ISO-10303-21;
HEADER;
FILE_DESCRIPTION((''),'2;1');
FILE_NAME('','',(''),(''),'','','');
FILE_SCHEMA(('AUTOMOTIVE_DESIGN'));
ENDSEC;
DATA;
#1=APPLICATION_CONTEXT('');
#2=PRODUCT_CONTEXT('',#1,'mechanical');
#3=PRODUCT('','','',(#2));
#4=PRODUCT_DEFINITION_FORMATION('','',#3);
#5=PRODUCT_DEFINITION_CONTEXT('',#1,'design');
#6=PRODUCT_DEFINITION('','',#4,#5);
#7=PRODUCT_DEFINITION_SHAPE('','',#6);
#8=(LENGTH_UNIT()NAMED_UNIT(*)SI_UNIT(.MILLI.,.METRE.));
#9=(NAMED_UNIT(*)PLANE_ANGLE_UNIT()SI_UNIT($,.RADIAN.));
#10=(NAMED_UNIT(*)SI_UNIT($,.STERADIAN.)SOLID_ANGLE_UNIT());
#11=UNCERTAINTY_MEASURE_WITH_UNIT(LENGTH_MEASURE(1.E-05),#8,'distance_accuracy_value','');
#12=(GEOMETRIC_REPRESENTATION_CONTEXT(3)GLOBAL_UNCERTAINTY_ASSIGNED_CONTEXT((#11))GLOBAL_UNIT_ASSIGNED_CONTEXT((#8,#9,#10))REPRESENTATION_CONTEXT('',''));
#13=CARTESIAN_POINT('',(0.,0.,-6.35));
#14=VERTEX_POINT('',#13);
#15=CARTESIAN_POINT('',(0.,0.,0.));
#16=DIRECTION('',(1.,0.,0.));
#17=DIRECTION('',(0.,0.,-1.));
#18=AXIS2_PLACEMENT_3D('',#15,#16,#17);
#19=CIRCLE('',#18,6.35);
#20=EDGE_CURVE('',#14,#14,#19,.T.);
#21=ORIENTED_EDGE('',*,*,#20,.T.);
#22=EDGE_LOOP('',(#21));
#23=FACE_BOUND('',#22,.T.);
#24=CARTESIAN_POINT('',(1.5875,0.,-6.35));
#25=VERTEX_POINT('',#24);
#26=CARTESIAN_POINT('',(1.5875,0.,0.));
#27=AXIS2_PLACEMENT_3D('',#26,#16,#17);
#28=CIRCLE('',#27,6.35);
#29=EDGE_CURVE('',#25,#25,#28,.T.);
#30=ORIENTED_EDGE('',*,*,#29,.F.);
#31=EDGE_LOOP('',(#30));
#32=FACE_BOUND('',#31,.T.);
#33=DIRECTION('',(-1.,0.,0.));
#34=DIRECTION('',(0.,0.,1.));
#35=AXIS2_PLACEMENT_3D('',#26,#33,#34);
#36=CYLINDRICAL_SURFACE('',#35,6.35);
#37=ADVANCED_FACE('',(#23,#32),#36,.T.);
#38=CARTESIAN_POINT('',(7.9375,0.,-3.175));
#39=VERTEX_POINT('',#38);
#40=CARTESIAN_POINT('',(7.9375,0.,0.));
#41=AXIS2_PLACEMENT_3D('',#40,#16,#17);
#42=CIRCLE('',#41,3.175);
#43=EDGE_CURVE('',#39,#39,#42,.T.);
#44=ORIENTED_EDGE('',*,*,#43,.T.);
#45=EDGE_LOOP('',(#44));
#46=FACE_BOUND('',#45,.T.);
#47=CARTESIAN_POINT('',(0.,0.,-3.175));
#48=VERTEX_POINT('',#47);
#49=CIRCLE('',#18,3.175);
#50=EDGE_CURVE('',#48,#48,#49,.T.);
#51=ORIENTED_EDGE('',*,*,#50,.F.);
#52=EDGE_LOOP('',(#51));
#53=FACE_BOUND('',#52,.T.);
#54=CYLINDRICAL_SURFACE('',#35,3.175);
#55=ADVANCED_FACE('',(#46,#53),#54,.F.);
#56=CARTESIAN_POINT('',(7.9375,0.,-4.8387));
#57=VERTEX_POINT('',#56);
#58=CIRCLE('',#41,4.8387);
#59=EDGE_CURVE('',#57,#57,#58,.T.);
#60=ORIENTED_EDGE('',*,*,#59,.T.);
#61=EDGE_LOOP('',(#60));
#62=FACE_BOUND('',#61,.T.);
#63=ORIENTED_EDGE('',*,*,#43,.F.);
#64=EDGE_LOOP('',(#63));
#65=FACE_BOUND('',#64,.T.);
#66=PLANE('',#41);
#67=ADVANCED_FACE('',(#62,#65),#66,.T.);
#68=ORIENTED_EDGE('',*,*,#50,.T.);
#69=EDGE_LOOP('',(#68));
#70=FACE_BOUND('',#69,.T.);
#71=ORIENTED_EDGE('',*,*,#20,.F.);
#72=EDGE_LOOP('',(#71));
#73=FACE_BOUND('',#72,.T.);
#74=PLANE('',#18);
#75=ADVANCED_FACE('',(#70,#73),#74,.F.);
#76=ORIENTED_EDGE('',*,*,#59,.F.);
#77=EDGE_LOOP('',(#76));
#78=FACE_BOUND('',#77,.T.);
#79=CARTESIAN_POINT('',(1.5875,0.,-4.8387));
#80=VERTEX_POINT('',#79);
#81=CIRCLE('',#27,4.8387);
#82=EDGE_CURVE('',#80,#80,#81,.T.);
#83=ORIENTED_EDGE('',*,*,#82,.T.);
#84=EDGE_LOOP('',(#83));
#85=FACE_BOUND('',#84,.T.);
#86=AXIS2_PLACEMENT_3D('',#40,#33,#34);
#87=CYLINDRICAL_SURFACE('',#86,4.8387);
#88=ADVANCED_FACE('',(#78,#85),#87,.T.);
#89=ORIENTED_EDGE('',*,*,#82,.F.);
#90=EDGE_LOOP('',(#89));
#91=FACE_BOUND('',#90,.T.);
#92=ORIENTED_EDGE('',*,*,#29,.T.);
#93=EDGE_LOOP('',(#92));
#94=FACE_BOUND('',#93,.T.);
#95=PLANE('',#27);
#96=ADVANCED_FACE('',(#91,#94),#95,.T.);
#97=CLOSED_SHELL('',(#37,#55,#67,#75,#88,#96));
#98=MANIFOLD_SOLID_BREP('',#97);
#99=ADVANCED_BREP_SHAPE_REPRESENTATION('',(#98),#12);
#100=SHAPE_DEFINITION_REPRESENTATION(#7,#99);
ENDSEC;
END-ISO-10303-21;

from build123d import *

# Parameters (mm, degrees)
SKETCH1_R           = 6.35
SKETCH1_R_2         = 3.175
BOSS_EXTRUDE1_DEPTH = 1.5875
SKETCH2_R           = 4.8387
SKETCH2_R_2         = 3.175
BOSS_EXTRUDE2_DEPTH = 6.35


with BuildPart() as part:
    # Sketch1 → Boss-Extrude1 (new body)
    with BuildSketch(Plane(origin=(0, 0, 0), x_dir=(0, 0, -1), z_dir=(1, 0, 0))):
        Circle(SKETCH1_R)
        Circle(SKETCH1_R_2, mode=Mode.SUBTRACT)
    extrude(amount=BOSS_EXTRUDE1_DEPTH)

    # Sketch2 → Boss-Extrude2 (add)
    with BuildSketch(Plane(origin=(1.5875, 0, 0), x_dir=(0, 0, -1), z_dir=(1, 0, 0))):
        Circle(SKETCH2_R)
        Circle(SKETCH2_R_2, mode=Mode.SUBTRACT)
    extrude(amount=BOSS_EXTRUDE2_DEPTH)


solid = part.part
